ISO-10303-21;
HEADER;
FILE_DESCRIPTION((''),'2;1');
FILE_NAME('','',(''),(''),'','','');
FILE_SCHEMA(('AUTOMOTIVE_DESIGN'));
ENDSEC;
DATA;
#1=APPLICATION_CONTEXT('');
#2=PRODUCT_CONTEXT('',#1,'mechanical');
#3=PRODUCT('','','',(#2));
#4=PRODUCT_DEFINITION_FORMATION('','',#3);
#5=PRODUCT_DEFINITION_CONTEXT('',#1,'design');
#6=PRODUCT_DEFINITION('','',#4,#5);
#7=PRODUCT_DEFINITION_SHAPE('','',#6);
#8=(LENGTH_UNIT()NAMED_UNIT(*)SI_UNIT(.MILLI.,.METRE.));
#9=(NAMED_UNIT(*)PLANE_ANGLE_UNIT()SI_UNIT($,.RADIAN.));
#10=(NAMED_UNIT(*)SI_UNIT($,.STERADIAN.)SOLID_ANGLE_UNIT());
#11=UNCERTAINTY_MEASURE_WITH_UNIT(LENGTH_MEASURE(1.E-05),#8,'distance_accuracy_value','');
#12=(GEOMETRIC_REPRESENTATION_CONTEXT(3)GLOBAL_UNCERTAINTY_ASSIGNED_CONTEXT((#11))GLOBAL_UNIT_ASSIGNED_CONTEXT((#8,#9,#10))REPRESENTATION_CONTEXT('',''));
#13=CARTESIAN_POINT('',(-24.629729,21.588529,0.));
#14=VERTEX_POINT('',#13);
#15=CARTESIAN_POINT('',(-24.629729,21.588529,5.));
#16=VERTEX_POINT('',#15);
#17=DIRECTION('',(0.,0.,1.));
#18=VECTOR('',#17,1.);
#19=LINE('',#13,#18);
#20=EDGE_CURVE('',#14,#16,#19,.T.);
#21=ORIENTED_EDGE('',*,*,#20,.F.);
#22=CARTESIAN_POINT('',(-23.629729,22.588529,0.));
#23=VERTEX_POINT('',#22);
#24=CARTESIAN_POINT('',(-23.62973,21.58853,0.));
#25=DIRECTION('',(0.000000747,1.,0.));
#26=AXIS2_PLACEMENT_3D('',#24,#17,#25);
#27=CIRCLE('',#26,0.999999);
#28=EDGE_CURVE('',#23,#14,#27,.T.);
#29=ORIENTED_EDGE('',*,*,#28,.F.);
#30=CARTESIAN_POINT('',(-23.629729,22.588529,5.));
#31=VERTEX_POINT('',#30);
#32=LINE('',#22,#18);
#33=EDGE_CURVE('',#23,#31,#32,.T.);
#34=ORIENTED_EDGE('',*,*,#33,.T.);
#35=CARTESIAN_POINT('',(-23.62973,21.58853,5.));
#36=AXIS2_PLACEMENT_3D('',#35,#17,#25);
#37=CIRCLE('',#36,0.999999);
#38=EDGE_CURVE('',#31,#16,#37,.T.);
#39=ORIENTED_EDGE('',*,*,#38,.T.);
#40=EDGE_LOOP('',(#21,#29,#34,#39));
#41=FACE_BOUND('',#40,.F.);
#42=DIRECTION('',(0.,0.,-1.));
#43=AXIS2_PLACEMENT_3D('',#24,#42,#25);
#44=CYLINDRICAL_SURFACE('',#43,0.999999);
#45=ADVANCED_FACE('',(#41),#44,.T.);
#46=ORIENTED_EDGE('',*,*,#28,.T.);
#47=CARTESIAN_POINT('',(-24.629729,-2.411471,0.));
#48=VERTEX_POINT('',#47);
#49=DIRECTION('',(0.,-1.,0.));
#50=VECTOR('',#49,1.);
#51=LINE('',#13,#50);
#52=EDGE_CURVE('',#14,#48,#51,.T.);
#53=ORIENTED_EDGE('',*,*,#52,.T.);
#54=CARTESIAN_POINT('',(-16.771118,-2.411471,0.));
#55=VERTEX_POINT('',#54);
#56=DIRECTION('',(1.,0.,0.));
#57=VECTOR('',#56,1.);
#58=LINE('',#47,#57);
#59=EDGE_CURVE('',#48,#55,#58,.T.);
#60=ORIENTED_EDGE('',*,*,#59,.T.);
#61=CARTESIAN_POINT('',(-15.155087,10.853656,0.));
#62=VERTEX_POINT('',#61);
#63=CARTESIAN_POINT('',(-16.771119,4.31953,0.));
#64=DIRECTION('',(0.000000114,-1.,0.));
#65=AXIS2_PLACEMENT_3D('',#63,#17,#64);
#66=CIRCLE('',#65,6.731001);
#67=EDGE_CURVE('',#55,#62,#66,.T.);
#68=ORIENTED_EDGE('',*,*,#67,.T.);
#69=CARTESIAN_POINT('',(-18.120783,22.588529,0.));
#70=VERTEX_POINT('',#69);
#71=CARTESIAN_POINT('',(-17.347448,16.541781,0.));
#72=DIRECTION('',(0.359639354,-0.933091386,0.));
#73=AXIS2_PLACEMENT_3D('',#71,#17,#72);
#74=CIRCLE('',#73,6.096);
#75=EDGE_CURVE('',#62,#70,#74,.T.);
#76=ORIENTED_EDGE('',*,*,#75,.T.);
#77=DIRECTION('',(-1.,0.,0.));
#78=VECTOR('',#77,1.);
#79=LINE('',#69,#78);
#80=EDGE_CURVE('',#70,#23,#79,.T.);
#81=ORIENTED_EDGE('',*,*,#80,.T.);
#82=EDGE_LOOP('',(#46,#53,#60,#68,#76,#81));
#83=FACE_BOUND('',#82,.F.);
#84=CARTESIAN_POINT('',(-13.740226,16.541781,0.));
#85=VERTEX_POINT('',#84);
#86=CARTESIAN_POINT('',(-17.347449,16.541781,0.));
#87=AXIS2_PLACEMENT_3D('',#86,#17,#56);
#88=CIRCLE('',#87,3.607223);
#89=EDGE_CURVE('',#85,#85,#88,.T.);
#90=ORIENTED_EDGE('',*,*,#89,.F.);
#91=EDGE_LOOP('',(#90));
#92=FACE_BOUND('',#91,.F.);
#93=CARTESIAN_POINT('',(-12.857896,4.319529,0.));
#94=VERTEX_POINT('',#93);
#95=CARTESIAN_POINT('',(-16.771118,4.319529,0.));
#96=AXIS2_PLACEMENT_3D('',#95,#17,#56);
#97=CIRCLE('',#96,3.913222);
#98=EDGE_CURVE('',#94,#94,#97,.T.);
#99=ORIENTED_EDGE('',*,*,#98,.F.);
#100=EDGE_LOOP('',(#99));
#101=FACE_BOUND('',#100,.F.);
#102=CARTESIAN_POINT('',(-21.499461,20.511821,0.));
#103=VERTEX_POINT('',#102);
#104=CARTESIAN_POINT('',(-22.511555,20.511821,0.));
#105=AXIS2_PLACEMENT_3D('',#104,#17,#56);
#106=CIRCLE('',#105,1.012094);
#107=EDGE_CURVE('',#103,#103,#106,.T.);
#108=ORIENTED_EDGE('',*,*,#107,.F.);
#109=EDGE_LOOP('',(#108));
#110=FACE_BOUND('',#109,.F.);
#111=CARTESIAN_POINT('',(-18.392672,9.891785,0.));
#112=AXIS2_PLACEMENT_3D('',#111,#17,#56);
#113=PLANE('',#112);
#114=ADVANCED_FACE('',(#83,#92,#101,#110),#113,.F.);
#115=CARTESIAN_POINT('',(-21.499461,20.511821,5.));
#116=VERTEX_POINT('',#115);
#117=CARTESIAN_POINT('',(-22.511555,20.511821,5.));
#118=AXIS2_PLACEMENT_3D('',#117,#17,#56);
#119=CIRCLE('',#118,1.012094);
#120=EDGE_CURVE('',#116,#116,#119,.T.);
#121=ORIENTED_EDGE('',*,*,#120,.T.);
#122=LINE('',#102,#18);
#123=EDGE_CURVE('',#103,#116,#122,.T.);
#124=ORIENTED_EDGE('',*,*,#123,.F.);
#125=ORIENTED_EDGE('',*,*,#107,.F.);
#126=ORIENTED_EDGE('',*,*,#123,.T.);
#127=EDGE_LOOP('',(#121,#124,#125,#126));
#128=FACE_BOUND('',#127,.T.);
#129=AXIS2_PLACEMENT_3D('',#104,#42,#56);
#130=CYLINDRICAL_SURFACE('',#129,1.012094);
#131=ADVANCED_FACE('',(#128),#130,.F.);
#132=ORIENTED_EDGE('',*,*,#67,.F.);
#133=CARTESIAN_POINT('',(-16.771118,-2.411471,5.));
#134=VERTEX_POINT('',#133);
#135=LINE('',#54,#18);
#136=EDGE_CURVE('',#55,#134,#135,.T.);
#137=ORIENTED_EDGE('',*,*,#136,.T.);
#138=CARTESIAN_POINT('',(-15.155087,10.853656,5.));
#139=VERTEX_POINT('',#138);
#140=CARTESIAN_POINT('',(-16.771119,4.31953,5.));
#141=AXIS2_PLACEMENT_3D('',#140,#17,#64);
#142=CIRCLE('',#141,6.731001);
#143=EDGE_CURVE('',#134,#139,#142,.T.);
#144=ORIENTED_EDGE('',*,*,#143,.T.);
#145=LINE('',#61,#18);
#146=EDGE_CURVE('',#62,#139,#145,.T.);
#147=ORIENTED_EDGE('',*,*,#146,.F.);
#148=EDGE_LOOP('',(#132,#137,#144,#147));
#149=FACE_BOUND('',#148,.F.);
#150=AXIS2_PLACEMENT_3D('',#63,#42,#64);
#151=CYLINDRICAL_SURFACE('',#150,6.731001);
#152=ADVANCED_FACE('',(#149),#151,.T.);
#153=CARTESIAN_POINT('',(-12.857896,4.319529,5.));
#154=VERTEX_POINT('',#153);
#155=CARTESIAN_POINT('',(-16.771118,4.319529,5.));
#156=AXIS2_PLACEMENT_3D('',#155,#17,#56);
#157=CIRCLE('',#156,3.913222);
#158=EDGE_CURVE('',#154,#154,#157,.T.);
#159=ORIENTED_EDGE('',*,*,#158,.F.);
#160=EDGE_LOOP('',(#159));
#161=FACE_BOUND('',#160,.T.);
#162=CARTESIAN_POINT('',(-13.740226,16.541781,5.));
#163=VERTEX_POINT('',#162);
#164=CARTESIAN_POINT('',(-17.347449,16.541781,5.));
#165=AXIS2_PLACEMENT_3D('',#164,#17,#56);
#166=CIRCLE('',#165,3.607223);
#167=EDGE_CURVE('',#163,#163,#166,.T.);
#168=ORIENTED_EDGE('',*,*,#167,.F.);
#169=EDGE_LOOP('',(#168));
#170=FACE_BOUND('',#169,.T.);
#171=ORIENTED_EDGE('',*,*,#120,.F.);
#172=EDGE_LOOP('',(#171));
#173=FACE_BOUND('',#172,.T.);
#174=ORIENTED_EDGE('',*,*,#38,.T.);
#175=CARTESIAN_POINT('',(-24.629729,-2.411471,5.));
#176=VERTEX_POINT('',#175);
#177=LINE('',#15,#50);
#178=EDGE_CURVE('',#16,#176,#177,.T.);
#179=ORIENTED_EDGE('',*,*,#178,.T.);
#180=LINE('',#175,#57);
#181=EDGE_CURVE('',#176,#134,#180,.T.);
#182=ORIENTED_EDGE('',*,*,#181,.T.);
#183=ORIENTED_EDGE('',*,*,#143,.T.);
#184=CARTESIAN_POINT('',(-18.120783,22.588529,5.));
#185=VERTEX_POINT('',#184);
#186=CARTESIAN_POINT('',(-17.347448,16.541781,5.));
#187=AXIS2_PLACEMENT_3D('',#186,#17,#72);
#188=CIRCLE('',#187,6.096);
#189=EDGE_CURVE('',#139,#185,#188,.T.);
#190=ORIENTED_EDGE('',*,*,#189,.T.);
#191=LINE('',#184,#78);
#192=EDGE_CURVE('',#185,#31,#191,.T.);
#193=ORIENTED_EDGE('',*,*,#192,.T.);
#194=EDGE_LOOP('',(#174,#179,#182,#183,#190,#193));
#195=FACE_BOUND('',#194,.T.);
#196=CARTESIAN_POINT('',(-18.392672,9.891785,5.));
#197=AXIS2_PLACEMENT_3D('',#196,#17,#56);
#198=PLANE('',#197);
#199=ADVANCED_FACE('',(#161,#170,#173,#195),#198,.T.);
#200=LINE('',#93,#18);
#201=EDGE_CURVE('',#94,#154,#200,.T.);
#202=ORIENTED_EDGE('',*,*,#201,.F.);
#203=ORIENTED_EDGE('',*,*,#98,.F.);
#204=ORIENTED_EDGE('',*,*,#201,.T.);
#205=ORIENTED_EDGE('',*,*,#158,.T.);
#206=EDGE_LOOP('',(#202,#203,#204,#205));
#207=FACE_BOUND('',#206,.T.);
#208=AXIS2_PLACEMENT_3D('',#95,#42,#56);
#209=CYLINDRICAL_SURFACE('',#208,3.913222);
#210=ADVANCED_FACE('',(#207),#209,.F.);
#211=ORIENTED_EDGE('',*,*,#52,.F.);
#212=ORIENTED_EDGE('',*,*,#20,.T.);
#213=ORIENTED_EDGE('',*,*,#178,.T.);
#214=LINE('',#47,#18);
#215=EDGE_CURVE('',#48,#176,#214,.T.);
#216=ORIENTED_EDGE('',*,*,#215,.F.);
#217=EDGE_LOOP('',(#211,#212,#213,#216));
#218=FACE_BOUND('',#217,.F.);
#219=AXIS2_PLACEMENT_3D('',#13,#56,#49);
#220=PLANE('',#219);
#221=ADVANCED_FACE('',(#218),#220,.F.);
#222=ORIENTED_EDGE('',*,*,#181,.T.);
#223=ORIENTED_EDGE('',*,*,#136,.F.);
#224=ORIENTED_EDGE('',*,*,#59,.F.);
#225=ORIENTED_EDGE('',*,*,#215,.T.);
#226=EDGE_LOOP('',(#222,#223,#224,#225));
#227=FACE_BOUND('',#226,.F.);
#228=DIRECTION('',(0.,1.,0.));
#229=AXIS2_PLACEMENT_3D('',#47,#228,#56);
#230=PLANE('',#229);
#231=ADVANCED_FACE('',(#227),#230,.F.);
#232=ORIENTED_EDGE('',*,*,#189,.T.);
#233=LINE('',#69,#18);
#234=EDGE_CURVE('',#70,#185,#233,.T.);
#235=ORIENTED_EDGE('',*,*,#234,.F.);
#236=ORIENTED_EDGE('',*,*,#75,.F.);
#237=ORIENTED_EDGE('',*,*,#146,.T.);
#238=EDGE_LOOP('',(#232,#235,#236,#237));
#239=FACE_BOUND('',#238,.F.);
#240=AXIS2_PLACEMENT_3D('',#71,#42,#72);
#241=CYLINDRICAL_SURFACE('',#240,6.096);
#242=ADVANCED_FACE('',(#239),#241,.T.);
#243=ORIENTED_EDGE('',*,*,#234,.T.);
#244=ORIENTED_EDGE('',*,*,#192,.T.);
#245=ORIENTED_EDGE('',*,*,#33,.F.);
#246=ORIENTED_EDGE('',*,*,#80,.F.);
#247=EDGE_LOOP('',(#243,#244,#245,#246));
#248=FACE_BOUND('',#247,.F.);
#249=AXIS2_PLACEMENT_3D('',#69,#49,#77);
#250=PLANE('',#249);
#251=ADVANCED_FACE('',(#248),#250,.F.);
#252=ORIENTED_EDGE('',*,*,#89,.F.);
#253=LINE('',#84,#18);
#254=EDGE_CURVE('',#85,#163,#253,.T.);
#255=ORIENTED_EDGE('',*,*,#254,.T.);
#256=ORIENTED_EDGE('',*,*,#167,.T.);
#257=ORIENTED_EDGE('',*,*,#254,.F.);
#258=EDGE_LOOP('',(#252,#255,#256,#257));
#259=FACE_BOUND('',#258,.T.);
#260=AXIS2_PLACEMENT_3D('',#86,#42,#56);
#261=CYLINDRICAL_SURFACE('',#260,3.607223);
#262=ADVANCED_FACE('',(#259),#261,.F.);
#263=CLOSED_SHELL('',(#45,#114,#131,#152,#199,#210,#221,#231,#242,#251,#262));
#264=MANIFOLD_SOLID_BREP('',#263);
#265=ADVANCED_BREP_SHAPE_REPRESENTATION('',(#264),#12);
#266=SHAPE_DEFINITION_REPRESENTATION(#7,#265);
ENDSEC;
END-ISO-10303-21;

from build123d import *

# Parameters (mm, degrees)
F0_R     = 3.913222
F0_R_2   = 1.012094
F0_R_3   = 3.607223
F1_DEPTH = 5


with BuildPart() as f1:
    # F0 (on Top) → F1 (new body)
    with BuildSketch(Plane.XY):
        with BuildLine():
            ThreePointArc((-23.629729, 22.588529), (-24.336836, 22.295636), (-24.629729, 21.588529))
            Line((-24.629729, 21.588529), (-24.629729, -2.411471))
            Line((-24.629729, -2.411471), (-16.771118, -2.411471))
            ThreePointArc((-16.771118, -2.411471), (-10.089518, 3.50554), (-15.155087, 10.853656))
            ThreePointArc((-15.155087, 10.853656), (-11.437269, 18.035431), (-18.120783, 22.588529))
            Line((-18.120783, 22.588529), (-23.629729, 22.588529))
        make_face()
        with Locations((-16.771118, 4.319529)):
            Circle(F0_R, mode=Mode.SUBTRACT)
        with Locations((-22.511555, 20.511821)):
            Circle(F0_R_2, mode=Mode.SUBTRACT)
        with Locations((-17.347449, 16.541781)):
            Circle(F0_R_3, mode=Mode.SUBTRACT)
    extrude(amount=F1_DEPTH)


solid = f1.part
